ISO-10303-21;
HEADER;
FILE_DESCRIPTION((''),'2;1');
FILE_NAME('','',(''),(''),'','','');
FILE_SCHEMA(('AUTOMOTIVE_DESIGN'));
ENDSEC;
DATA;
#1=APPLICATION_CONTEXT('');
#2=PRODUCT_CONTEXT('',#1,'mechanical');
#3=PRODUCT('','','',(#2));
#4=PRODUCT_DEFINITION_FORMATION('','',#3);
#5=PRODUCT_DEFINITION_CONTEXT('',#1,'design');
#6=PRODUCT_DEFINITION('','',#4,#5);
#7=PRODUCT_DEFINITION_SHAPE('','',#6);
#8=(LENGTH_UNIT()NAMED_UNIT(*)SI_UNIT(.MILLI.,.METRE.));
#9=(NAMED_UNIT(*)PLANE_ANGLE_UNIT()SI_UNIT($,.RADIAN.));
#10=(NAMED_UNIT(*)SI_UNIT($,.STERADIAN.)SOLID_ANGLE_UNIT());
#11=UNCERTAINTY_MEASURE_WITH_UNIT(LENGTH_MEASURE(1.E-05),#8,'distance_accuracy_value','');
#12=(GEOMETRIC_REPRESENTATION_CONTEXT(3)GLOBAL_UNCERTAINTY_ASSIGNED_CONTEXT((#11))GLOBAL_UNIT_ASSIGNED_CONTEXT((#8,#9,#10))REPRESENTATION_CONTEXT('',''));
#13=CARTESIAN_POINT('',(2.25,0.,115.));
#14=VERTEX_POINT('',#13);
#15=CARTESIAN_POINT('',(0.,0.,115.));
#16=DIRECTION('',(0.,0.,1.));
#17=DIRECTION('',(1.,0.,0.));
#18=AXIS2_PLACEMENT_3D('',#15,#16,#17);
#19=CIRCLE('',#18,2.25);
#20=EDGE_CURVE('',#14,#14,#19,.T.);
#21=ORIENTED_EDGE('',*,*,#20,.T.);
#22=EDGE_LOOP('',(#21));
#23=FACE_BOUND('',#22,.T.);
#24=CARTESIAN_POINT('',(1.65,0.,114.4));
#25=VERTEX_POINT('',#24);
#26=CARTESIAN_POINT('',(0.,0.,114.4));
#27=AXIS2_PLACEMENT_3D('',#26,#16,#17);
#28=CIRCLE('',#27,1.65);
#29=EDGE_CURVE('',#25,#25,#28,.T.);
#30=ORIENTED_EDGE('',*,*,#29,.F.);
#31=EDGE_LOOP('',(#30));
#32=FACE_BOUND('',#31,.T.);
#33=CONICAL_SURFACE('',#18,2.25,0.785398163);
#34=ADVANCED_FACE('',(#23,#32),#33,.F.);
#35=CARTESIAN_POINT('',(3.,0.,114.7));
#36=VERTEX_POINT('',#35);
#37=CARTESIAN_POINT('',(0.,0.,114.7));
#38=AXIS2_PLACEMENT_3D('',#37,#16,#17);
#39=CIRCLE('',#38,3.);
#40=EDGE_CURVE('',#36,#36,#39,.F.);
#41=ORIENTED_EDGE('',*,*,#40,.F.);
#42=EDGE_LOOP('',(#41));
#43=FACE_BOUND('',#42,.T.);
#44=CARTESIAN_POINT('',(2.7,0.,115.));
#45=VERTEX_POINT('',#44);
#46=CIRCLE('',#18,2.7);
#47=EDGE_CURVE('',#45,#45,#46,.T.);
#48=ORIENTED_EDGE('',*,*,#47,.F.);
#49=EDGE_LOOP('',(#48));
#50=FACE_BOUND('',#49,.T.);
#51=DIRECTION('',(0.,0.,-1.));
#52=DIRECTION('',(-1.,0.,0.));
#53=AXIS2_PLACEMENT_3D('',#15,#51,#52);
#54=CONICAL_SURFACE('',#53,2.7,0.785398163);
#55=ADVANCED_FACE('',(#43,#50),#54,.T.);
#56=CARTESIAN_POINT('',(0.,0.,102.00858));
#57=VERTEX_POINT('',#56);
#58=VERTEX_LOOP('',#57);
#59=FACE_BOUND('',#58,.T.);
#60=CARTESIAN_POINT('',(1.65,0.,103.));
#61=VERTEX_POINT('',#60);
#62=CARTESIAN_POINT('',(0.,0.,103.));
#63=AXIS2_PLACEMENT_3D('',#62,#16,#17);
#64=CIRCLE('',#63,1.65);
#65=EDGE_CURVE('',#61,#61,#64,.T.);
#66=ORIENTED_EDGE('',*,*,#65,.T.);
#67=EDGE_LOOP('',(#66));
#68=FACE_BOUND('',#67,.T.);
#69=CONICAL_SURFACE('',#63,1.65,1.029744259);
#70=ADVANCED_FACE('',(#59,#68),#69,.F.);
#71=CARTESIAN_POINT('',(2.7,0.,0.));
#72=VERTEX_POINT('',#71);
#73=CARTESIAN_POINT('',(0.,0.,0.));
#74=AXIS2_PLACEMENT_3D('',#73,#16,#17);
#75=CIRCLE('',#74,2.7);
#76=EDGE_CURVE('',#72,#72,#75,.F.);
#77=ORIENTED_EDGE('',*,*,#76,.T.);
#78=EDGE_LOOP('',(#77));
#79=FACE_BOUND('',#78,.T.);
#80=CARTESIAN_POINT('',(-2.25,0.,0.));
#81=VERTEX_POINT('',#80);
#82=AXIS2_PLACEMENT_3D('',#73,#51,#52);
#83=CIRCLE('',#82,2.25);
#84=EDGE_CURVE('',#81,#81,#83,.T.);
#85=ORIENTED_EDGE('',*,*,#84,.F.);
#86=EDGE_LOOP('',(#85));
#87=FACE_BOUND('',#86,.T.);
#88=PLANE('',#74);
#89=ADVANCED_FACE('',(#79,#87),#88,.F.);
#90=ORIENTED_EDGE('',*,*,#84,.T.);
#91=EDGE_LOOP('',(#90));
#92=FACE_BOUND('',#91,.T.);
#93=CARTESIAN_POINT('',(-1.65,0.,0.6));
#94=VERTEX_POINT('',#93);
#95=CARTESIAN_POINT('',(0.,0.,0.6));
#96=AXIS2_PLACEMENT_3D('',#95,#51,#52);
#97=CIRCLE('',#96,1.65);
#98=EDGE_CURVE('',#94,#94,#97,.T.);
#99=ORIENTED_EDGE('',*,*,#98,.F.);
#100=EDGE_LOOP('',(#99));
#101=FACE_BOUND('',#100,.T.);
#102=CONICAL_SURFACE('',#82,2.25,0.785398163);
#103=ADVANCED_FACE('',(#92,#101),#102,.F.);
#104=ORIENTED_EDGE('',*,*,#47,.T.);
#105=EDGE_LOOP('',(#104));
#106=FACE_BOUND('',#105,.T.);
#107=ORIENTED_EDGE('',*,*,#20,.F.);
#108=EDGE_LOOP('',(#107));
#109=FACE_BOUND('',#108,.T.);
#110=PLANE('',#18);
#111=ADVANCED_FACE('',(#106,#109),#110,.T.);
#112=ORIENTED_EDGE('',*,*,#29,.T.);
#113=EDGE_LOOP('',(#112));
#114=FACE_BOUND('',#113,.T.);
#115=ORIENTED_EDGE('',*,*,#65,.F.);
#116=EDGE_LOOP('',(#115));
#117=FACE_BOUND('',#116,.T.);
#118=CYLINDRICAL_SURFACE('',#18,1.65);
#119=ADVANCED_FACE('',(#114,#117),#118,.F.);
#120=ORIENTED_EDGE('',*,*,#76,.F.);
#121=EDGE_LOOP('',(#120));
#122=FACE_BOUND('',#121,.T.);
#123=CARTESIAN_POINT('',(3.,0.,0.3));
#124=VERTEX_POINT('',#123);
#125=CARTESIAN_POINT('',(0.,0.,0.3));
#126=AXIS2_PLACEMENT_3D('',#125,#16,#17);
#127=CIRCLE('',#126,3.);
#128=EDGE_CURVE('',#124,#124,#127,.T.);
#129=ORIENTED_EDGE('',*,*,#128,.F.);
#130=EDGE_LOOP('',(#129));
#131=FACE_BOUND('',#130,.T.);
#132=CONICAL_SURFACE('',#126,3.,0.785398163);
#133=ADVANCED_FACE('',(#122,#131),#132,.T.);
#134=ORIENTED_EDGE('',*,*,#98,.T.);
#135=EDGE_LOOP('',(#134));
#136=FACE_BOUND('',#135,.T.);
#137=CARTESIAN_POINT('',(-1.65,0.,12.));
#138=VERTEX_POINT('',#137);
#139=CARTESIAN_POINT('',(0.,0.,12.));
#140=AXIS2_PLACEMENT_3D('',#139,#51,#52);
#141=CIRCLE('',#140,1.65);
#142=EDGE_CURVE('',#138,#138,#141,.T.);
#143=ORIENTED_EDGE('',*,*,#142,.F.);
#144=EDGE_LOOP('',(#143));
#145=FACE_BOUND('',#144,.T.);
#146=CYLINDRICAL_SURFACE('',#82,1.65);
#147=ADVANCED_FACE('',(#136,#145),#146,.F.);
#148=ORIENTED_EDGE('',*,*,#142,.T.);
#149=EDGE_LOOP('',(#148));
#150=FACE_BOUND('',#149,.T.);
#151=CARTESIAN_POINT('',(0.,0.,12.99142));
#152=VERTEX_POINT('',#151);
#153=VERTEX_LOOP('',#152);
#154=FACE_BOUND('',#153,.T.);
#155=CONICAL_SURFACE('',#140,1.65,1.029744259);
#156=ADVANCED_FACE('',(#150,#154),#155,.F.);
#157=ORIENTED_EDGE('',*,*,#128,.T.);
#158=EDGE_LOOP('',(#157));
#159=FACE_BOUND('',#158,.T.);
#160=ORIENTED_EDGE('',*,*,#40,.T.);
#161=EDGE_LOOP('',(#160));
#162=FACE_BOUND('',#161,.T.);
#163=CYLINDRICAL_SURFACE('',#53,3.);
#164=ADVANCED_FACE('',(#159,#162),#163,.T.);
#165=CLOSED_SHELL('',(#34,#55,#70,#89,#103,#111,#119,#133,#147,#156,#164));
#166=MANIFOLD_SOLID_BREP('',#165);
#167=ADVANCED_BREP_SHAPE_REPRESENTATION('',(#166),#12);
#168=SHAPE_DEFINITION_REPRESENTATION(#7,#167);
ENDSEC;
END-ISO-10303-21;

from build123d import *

# Parameters (mm, degrees)
SKETCH_236_R                = 3
EXTRUDE_290_DEPTH           = 115
HOLE_WIZARD_M41_D           = 3.3
HOLE_WIZARD_M41_DEPTH       = 12
HOLE_WIZARD_M41_CSINK_D     = 4.5
HOLE_WIZARD_M41_CSINK_ANGLE = 90
HOLE_WIZARD_M41_TIP         = 0.991420021
HOLE_WIZARD_M42_D           = 3.3
HOLE_WIZARD_M42_DEPTH       = 12
HOLE_WIZARD_M42_CSINK_D     = 4.5
HOLE_WIZARD_M42_CSINK_ANGLE = 90
HOLE_WIZARD_M42_TIP         = 0.991420021
CHAMFER_1_SIZE              = 0.3


with BuildPart() as part:
    # Sketch 236 → Extrude 290 (new body)
    with BuildSketch(Plane.XY):
        Circle(SKETCH_236_R)
    extrude(amount=EXTRUDE_290_DEPTH)

    # Отверстие обработанное метчиком M41
    with Locations(Plane.XY.offset(115)):
        with Locations((0, 0)):
            CounterSinkHole(HOLE_WIZARD_M41_D / 2, HOLE_WIZARD_M41_CSINK_D / 2, depth=HOLE_WIZARD_M41_DEPTH, counter_sink_angle=HOLE_WIZARD_M41_CSINK_ANGLE)
            with Locations((0, 0, -(HOLE_WIZARD_M41_DEPTH + HOLE_WIZARD_M41_TIP / 2))):  # 118° drill point
                Cone(0, HOLE_WIZARD_M41_D / 2, HOLE_WIZARD_M41_TIP, mode=Mode.SUBTRACT)

    # Отверстие обработанное метчиком M42
    with Locations(Plane(origin=(0, 0, 0), x_dir=(-1, 0, 0), z_dir=(0, 0, -1))):
        with Locations((0, 0)):
            CounterSinkHole(HOLE_WIZARD_M42_D / 2, HOLE_WIZARD_M42_CSINK_D / 2, depth=HOLE_WIZARD_M42_DEPTH, counter_sink_angle=HOLE_WIZARD_M42_CSINK_ANGLE)
            with Locations((0, 0, -(HOLE_WIZARD_M42_DEPTH + HOLE_WIZARD_M42_TIP / 2))):  # 118° drill point
                Cone(0, HOLE_WIZARD_M42_D / 2, HOLE_WIZARD_M42_TIP, mode=Mode.SUBTRACT)

    # Фаска1
    chamfer_1_edges = [part.edges().sort_by_distance(p)[0] for p in [
        (-3, 0, 0),
        (-3, 0, 115),
    ]]
    chamfer(chamfer_1_edges, length=CHAMFER_1_SIZE)


solid = part.part
